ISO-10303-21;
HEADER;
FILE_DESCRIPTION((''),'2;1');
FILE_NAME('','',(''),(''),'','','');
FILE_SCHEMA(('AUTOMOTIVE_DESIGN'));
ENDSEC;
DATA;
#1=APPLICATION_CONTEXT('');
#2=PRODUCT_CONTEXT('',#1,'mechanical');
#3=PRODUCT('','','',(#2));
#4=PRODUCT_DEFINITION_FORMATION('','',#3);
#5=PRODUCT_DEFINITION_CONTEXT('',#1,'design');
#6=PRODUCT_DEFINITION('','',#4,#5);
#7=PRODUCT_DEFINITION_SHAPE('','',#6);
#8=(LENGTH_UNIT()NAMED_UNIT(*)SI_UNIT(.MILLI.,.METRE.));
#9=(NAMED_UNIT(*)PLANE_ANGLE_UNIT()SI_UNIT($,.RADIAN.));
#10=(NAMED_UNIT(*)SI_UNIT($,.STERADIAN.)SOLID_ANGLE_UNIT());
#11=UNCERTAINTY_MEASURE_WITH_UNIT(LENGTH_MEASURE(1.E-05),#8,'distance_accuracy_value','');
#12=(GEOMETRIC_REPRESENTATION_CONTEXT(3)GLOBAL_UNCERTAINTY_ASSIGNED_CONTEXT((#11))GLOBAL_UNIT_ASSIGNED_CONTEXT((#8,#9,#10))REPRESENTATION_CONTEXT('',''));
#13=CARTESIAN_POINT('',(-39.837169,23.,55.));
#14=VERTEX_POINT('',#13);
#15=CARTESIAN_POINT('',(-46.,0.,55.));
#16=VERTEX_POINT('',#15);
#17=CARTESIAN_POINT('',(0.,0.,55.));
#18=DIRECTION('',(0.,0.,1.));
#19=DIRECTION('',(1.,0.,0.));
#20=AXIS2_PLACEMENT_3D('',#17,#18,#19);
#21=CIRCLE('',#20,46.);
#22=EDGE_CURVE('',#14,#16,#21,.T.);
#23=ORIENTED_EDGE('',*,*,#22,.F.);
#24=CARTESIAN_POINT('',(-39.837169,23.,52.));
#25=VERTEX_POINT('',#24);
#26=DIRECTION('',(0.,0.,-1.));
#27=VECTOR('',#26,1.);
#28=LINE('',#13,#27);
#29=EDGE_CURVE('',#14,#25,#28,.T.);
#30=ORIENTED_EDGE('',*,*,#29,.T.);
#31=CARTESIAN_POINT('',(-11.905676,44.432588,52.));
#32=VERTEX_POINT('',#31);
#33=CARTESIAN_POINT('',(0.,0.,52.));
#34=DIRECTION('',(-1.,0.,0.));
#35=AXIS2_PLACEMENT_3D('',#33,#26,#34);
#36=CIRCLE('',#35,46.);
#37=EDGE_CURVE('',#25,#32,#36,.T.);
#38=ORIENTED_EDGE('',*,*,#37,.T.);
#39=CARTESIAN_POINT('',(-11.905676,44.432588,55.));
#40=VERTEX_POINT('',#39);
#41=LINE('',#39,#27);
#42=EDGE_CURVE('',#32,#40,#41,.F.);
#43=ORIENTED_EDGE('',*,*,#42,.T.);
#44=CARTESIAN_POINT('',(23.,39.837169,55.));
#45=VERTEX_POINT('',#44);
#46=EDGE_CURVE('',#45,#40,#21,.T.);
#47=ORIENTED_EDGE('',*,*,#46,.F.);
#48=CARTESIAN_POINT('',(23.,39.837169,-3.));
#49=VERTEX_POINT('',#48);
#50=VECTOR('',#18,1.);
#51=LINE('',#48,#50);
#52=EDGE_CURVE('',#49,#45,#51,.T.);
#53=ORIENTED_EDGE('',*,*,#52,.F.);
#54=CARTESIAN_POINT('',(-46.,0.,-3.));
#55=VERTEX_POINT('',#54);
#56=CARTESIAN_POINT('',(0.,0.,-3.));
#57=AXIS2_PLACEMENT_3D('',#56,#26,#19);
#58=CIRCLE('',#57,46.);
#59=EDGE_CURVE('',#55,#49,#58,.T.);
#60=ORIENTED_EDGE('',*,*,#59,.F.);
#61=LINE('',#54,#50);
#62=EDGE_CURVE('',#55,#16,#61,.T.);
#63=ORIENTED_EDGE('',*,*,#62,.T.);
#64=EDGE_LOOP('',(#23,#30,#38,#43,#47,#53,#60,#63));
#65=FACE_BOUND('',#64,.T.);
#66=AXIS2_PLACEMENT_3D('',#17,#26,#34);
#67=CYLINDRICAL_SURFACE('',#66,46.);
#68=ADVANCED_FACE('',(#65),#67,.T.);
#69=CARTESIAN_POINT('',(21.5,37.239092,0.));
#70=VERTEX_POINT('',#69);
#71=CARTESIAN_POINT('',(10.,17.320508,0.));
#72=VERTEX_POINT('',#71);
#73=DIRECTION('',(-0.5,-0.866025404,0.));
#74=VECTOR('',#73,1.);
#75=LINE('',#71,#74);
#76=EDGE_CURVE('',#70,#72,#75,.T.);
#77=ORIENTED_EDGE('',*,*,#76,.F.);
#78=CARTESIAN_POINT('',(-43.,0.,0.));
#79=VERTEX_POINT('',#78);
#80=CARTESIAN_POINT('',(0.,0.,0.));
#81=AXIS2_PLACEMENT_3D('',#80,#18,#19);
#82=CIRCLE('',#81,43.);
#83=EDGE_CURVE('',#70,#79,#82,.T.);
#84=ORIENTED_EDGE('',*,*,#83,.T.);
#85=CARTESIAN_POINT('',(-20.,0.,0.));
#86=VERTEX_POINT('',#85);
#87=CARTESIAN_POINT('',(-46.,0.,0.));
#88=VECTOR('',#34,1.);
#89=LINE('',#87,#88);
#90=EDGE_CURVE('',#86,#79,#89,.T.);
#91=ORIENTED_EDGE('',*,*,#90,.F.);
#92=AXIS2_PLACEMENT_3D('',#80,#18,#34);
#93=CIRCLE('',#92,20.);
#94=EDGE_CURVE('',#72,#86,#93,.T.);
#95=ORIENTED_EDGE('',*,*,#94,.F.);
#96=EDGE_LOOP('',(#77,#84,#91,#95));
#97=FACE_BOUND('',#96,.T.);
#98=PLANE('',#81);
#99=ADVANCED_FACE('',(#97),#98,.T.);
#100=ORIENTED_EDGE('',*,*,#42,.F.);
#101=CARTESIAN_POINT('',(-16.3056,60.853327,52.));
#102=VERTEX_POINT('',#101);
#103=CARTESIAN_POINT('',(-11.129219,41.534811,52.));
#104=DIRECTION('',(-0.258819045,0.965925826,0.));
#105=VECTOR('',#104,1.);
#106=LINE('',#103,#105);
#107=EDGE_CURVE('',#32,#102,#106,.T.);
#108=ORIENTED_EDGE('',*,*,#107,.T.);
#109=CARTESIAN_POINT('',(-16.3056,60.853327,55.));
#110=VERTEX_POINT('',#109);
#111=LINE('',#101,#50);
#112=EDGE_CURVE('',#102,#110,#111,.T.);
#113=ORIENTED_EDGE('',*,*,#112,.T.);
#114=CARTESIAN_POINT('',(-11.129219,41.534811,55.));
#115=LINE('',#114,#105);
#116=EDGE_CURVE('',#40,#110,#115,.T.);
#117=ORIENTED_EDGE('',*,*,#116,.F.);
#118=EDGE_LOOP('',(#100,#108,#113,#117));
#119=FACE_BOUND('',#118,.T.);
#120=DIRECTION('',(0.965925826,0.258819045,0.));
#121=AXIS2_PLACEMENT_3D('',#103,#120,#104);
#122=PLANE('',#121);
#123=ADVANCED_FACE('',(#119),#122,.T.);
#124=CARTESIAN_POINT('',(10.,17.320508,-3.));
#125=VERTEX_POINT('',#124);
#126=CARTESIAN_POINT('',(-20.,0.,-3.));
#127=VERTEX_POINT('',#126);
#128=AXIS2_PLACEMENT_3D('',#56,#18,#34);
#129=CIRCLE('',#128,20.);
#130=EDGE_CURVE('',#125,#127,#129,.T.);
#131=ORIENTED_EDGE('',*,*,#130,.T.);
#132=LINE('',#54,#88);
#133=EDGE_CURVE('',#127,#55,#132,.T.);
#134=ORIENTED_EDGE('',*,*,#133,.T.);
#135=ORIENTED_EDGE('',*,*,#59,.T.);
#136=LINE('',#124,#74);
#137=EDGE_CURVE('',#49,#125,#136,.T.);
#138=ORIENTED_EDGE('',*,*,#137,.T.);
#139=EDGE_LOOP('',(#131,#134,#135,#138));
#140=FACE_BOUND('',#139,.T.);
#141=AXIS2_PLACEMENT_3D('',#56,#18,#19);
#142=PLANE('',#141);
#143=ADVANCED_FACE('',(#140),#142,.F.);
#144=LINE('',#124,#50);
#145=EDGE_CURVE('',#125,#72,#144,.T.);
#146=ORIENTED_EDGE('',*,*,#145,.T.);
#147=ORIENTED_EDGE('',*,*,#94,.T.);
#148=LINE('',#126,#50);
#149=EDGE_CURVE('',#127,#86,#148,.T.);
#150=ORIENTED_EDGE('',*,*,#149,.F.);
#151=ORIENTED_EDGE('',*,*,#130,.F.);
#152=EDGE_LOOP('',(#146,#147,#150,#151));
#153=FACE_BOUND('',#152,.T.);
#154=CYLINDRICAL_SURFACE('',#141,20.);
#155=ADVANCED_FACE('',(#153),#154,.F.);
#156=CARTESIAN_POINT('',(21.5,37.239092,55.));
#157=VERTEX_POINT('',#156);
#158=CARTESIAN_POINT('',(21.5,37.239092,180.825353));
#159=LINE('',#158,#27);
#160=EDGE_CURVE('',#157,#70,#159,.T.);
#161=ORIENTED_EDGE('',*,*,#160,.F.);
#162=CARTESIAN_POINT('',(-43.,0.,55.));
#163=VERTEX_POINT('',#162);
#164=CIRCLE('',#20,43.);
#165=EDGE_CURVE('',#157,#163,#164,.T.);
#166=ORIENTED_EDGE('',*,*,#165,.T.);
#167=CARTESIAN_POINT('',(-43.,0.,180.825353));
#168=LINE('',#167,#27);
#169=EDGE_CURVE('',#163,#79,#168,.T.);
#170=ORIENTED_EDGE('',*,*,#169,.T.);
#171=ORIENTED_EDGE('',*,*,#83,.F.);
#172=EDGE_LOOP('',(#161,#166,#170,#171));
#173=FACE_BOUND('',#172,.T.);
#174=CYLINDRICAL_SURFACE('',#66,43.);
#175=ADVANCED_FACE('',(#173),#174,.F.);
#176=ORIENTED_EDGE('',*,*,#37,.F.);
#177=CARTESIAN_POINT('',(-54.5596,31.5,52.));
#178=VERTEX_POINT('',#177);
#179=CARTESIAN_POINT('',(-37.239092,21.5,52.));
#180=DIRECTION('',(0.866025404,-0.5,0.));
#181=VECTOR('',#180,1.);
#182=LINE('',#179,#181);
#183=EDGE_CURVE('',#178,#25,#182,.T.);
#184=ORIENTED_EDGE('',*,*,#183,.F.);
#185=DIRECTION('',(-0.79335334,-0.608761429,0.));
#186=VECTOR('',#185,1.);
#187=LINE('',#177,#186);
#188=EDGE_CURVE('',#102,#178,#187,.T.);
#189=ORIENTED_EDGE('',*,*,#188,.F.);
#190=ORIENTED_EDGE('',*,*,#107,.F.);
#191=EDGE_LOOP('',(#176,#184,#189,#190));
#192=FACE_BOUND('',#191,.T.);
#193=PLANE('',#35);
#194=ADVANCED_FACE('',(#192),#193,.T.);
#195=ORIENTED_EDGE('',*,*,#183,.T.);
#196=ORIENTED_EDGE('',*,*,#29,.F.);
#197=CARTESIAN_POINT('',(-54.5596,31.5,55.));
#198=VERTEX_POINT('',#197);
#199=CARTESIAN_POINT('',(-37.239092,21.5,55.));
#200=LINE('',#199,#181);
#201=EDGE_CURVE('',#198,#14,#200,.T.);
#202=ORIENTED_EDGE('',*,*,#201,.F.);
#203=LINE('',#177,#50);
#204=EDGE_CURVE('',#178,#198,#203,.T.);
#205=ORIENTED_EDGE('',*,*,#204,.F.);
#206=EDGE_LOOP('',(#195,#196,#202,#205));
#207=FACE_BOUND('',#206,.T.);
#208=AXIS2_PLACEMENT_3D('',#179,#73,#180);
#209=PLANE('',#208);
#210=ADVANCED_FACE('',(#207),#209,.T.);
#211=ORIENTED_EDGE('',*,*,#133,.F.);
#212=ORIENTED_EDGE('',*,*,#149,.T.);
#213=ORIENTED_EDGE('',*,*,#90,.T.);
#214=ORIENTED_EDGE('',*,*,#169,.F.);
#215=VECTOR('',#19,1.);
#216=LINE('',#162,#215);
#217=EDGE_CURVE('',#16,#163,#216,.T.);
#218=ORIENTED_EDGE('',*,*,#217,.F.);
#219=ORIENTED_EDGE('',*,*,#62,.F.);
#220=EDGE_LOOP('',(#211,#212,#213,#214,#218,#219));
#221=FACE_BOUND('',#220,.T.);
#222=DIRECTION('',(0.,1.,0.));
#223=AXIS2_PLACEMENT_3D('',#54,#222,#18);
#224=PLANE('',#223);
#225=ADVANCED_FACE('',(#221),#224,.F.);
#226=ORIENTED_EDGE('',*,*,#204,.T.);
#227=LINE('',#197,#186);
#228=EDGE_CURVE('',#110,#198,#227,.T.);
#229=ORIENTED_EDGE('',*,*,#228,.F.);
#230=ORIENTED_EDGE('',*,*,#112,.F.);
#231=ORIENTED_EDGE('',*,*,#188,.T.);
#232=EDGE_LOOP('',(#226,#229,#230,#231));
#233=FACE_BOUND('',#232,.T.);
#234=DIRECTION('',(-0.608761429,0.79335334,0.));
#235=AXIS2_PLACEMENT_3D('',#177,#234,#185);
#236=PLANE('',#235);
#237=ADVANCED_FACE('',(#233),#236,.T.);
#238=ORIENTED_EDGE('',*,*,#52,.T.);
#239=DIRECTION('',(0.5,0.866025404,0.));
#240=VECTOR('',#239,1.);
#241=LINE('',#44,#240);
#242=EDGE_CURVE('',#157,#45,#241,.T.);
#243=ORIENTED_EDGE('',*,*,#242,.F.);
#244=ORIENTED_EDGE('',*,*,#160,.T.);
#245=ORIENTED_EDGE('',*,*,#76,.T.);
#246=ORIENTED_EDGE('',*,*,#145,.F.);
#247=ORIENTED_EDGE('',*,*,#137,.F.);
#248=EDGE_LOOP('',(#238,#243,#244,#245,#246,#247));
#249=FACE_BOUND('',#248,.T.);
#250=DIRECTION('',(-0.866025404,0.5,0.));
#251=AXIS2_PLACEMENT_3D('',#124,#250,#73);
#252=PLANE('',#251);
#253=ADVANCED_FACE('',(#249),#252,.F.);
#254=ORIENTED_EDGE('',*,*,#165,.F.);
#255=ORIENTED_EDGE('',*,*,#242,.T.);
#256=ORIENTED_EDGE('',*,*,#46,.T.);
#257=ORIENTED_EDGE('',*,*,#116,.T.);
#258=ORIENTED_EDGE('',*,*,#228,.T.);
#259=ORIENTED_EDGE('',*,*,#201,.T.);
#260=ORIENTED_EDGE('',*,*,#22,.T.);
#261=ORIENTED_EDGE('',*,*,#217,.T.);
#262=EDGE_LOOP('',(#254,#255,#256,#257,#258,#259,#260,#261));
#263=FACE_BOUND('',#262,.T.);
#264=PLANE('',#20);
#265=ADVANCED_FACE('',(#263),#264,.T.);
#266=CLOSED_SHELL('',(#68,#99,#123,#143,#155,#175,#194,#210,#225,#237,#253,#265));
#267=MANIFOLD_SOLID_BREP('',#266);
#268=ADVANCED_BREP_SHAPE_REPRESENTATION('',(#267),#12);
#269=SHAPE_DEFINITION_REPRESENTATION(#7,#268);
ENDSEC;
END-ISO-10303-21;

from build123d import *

# Parameters (mm, degrees)
SKETCH1_R           = 46
SKETCH1_R_2         = 43
BOSS_EXTRUDE1_DEPTH = 55
BOSS_EXTRUDE2_START = 3
BOSS_EXTRUDE2_DEPTH = 3
CUT_EXTRUDE1_DEPTH  = 58
BOSS_EXTRUDE3_START = -3
BOSS_EXTRUDE3_DEPTH = 3


with BuildPart() as part:
    # Sketch1 → Boss-Extrude1 (new body)
    with BuildSketch(Plane.XY):
        Circle(SKETCH1_R)
        Circle(SKETCH1_R_2, mode=Mode.SUBTRACT)
    extrude(amount=BOSS_EXTRUDE1_DEPTH)

    # Sketch2 → Boss-Extrude2 (add)
    with BuildSketch(Plane(origin=(0, 0, 0), x_dir=(-1, 0, 0), z_dir=(0, 0, -1)).offset(BOSS_EXTRUDE2_START)):
        with BuildLine():
            Line((-10, 17.320508076), (-23, 39.837168574))
            ThreePointArc((-23, 39.837168574), (23, 39.837168574), (46, 0))
            Line((46, 0), (20, 0))
            ThreePointArc((20, 0), (10, 17.320508076), (-10, 17.320508076))
        make_face()
    extrude(amount=-BOSS_EXTRUDE2_DEPTH)

    # Sketch3 → Cut-Extrude1 (cut)
    with BuildSketch(Plane(origin=(0, 0, -3), x_dir=(-1, 0, 0), z_dir=(0, 0, -1))):
        with BuildLine():
            Line((-23, 39.837168574), (-21.5, 37.239092363))
            ThreePointArc((-21.5, 37.239092363), (-21.5, -37.239092363), (43, 0))
            Line((43, 0), (46, 0))
            ThreePointArc((46, 0), (-23, -39.837168574), (-23, 39.837168574))
        make_face()
    extrude(amount=-CUT_EXTRUDE1_DEPTH, mode=Mode.SUBTRACT)

    # Sketch4 → Boss-Extrude3 (add)
    with BuildSketch(Plane.XY.offset(55).offset(BOSS_EXTRUDE3_START)):
        with BuildLine():
            Line((-37.239092363, 21.5), (-54.559600438, 31.5))
            Line((-54.559600438, 31.5), (-16.305599841, 60.853327056))
            Line((-16.305599841, 60.853327056), (-11.129218939, 41.53481053))
            ThreePointArc((-11.129218939, 41.53481053), (-26.176741447, 34.114193633), (-37.239092363, 21.5))
        make_face()
    extrude(amount=BOSS_EXTRUDE3_DEPTH)


solid = part.part
